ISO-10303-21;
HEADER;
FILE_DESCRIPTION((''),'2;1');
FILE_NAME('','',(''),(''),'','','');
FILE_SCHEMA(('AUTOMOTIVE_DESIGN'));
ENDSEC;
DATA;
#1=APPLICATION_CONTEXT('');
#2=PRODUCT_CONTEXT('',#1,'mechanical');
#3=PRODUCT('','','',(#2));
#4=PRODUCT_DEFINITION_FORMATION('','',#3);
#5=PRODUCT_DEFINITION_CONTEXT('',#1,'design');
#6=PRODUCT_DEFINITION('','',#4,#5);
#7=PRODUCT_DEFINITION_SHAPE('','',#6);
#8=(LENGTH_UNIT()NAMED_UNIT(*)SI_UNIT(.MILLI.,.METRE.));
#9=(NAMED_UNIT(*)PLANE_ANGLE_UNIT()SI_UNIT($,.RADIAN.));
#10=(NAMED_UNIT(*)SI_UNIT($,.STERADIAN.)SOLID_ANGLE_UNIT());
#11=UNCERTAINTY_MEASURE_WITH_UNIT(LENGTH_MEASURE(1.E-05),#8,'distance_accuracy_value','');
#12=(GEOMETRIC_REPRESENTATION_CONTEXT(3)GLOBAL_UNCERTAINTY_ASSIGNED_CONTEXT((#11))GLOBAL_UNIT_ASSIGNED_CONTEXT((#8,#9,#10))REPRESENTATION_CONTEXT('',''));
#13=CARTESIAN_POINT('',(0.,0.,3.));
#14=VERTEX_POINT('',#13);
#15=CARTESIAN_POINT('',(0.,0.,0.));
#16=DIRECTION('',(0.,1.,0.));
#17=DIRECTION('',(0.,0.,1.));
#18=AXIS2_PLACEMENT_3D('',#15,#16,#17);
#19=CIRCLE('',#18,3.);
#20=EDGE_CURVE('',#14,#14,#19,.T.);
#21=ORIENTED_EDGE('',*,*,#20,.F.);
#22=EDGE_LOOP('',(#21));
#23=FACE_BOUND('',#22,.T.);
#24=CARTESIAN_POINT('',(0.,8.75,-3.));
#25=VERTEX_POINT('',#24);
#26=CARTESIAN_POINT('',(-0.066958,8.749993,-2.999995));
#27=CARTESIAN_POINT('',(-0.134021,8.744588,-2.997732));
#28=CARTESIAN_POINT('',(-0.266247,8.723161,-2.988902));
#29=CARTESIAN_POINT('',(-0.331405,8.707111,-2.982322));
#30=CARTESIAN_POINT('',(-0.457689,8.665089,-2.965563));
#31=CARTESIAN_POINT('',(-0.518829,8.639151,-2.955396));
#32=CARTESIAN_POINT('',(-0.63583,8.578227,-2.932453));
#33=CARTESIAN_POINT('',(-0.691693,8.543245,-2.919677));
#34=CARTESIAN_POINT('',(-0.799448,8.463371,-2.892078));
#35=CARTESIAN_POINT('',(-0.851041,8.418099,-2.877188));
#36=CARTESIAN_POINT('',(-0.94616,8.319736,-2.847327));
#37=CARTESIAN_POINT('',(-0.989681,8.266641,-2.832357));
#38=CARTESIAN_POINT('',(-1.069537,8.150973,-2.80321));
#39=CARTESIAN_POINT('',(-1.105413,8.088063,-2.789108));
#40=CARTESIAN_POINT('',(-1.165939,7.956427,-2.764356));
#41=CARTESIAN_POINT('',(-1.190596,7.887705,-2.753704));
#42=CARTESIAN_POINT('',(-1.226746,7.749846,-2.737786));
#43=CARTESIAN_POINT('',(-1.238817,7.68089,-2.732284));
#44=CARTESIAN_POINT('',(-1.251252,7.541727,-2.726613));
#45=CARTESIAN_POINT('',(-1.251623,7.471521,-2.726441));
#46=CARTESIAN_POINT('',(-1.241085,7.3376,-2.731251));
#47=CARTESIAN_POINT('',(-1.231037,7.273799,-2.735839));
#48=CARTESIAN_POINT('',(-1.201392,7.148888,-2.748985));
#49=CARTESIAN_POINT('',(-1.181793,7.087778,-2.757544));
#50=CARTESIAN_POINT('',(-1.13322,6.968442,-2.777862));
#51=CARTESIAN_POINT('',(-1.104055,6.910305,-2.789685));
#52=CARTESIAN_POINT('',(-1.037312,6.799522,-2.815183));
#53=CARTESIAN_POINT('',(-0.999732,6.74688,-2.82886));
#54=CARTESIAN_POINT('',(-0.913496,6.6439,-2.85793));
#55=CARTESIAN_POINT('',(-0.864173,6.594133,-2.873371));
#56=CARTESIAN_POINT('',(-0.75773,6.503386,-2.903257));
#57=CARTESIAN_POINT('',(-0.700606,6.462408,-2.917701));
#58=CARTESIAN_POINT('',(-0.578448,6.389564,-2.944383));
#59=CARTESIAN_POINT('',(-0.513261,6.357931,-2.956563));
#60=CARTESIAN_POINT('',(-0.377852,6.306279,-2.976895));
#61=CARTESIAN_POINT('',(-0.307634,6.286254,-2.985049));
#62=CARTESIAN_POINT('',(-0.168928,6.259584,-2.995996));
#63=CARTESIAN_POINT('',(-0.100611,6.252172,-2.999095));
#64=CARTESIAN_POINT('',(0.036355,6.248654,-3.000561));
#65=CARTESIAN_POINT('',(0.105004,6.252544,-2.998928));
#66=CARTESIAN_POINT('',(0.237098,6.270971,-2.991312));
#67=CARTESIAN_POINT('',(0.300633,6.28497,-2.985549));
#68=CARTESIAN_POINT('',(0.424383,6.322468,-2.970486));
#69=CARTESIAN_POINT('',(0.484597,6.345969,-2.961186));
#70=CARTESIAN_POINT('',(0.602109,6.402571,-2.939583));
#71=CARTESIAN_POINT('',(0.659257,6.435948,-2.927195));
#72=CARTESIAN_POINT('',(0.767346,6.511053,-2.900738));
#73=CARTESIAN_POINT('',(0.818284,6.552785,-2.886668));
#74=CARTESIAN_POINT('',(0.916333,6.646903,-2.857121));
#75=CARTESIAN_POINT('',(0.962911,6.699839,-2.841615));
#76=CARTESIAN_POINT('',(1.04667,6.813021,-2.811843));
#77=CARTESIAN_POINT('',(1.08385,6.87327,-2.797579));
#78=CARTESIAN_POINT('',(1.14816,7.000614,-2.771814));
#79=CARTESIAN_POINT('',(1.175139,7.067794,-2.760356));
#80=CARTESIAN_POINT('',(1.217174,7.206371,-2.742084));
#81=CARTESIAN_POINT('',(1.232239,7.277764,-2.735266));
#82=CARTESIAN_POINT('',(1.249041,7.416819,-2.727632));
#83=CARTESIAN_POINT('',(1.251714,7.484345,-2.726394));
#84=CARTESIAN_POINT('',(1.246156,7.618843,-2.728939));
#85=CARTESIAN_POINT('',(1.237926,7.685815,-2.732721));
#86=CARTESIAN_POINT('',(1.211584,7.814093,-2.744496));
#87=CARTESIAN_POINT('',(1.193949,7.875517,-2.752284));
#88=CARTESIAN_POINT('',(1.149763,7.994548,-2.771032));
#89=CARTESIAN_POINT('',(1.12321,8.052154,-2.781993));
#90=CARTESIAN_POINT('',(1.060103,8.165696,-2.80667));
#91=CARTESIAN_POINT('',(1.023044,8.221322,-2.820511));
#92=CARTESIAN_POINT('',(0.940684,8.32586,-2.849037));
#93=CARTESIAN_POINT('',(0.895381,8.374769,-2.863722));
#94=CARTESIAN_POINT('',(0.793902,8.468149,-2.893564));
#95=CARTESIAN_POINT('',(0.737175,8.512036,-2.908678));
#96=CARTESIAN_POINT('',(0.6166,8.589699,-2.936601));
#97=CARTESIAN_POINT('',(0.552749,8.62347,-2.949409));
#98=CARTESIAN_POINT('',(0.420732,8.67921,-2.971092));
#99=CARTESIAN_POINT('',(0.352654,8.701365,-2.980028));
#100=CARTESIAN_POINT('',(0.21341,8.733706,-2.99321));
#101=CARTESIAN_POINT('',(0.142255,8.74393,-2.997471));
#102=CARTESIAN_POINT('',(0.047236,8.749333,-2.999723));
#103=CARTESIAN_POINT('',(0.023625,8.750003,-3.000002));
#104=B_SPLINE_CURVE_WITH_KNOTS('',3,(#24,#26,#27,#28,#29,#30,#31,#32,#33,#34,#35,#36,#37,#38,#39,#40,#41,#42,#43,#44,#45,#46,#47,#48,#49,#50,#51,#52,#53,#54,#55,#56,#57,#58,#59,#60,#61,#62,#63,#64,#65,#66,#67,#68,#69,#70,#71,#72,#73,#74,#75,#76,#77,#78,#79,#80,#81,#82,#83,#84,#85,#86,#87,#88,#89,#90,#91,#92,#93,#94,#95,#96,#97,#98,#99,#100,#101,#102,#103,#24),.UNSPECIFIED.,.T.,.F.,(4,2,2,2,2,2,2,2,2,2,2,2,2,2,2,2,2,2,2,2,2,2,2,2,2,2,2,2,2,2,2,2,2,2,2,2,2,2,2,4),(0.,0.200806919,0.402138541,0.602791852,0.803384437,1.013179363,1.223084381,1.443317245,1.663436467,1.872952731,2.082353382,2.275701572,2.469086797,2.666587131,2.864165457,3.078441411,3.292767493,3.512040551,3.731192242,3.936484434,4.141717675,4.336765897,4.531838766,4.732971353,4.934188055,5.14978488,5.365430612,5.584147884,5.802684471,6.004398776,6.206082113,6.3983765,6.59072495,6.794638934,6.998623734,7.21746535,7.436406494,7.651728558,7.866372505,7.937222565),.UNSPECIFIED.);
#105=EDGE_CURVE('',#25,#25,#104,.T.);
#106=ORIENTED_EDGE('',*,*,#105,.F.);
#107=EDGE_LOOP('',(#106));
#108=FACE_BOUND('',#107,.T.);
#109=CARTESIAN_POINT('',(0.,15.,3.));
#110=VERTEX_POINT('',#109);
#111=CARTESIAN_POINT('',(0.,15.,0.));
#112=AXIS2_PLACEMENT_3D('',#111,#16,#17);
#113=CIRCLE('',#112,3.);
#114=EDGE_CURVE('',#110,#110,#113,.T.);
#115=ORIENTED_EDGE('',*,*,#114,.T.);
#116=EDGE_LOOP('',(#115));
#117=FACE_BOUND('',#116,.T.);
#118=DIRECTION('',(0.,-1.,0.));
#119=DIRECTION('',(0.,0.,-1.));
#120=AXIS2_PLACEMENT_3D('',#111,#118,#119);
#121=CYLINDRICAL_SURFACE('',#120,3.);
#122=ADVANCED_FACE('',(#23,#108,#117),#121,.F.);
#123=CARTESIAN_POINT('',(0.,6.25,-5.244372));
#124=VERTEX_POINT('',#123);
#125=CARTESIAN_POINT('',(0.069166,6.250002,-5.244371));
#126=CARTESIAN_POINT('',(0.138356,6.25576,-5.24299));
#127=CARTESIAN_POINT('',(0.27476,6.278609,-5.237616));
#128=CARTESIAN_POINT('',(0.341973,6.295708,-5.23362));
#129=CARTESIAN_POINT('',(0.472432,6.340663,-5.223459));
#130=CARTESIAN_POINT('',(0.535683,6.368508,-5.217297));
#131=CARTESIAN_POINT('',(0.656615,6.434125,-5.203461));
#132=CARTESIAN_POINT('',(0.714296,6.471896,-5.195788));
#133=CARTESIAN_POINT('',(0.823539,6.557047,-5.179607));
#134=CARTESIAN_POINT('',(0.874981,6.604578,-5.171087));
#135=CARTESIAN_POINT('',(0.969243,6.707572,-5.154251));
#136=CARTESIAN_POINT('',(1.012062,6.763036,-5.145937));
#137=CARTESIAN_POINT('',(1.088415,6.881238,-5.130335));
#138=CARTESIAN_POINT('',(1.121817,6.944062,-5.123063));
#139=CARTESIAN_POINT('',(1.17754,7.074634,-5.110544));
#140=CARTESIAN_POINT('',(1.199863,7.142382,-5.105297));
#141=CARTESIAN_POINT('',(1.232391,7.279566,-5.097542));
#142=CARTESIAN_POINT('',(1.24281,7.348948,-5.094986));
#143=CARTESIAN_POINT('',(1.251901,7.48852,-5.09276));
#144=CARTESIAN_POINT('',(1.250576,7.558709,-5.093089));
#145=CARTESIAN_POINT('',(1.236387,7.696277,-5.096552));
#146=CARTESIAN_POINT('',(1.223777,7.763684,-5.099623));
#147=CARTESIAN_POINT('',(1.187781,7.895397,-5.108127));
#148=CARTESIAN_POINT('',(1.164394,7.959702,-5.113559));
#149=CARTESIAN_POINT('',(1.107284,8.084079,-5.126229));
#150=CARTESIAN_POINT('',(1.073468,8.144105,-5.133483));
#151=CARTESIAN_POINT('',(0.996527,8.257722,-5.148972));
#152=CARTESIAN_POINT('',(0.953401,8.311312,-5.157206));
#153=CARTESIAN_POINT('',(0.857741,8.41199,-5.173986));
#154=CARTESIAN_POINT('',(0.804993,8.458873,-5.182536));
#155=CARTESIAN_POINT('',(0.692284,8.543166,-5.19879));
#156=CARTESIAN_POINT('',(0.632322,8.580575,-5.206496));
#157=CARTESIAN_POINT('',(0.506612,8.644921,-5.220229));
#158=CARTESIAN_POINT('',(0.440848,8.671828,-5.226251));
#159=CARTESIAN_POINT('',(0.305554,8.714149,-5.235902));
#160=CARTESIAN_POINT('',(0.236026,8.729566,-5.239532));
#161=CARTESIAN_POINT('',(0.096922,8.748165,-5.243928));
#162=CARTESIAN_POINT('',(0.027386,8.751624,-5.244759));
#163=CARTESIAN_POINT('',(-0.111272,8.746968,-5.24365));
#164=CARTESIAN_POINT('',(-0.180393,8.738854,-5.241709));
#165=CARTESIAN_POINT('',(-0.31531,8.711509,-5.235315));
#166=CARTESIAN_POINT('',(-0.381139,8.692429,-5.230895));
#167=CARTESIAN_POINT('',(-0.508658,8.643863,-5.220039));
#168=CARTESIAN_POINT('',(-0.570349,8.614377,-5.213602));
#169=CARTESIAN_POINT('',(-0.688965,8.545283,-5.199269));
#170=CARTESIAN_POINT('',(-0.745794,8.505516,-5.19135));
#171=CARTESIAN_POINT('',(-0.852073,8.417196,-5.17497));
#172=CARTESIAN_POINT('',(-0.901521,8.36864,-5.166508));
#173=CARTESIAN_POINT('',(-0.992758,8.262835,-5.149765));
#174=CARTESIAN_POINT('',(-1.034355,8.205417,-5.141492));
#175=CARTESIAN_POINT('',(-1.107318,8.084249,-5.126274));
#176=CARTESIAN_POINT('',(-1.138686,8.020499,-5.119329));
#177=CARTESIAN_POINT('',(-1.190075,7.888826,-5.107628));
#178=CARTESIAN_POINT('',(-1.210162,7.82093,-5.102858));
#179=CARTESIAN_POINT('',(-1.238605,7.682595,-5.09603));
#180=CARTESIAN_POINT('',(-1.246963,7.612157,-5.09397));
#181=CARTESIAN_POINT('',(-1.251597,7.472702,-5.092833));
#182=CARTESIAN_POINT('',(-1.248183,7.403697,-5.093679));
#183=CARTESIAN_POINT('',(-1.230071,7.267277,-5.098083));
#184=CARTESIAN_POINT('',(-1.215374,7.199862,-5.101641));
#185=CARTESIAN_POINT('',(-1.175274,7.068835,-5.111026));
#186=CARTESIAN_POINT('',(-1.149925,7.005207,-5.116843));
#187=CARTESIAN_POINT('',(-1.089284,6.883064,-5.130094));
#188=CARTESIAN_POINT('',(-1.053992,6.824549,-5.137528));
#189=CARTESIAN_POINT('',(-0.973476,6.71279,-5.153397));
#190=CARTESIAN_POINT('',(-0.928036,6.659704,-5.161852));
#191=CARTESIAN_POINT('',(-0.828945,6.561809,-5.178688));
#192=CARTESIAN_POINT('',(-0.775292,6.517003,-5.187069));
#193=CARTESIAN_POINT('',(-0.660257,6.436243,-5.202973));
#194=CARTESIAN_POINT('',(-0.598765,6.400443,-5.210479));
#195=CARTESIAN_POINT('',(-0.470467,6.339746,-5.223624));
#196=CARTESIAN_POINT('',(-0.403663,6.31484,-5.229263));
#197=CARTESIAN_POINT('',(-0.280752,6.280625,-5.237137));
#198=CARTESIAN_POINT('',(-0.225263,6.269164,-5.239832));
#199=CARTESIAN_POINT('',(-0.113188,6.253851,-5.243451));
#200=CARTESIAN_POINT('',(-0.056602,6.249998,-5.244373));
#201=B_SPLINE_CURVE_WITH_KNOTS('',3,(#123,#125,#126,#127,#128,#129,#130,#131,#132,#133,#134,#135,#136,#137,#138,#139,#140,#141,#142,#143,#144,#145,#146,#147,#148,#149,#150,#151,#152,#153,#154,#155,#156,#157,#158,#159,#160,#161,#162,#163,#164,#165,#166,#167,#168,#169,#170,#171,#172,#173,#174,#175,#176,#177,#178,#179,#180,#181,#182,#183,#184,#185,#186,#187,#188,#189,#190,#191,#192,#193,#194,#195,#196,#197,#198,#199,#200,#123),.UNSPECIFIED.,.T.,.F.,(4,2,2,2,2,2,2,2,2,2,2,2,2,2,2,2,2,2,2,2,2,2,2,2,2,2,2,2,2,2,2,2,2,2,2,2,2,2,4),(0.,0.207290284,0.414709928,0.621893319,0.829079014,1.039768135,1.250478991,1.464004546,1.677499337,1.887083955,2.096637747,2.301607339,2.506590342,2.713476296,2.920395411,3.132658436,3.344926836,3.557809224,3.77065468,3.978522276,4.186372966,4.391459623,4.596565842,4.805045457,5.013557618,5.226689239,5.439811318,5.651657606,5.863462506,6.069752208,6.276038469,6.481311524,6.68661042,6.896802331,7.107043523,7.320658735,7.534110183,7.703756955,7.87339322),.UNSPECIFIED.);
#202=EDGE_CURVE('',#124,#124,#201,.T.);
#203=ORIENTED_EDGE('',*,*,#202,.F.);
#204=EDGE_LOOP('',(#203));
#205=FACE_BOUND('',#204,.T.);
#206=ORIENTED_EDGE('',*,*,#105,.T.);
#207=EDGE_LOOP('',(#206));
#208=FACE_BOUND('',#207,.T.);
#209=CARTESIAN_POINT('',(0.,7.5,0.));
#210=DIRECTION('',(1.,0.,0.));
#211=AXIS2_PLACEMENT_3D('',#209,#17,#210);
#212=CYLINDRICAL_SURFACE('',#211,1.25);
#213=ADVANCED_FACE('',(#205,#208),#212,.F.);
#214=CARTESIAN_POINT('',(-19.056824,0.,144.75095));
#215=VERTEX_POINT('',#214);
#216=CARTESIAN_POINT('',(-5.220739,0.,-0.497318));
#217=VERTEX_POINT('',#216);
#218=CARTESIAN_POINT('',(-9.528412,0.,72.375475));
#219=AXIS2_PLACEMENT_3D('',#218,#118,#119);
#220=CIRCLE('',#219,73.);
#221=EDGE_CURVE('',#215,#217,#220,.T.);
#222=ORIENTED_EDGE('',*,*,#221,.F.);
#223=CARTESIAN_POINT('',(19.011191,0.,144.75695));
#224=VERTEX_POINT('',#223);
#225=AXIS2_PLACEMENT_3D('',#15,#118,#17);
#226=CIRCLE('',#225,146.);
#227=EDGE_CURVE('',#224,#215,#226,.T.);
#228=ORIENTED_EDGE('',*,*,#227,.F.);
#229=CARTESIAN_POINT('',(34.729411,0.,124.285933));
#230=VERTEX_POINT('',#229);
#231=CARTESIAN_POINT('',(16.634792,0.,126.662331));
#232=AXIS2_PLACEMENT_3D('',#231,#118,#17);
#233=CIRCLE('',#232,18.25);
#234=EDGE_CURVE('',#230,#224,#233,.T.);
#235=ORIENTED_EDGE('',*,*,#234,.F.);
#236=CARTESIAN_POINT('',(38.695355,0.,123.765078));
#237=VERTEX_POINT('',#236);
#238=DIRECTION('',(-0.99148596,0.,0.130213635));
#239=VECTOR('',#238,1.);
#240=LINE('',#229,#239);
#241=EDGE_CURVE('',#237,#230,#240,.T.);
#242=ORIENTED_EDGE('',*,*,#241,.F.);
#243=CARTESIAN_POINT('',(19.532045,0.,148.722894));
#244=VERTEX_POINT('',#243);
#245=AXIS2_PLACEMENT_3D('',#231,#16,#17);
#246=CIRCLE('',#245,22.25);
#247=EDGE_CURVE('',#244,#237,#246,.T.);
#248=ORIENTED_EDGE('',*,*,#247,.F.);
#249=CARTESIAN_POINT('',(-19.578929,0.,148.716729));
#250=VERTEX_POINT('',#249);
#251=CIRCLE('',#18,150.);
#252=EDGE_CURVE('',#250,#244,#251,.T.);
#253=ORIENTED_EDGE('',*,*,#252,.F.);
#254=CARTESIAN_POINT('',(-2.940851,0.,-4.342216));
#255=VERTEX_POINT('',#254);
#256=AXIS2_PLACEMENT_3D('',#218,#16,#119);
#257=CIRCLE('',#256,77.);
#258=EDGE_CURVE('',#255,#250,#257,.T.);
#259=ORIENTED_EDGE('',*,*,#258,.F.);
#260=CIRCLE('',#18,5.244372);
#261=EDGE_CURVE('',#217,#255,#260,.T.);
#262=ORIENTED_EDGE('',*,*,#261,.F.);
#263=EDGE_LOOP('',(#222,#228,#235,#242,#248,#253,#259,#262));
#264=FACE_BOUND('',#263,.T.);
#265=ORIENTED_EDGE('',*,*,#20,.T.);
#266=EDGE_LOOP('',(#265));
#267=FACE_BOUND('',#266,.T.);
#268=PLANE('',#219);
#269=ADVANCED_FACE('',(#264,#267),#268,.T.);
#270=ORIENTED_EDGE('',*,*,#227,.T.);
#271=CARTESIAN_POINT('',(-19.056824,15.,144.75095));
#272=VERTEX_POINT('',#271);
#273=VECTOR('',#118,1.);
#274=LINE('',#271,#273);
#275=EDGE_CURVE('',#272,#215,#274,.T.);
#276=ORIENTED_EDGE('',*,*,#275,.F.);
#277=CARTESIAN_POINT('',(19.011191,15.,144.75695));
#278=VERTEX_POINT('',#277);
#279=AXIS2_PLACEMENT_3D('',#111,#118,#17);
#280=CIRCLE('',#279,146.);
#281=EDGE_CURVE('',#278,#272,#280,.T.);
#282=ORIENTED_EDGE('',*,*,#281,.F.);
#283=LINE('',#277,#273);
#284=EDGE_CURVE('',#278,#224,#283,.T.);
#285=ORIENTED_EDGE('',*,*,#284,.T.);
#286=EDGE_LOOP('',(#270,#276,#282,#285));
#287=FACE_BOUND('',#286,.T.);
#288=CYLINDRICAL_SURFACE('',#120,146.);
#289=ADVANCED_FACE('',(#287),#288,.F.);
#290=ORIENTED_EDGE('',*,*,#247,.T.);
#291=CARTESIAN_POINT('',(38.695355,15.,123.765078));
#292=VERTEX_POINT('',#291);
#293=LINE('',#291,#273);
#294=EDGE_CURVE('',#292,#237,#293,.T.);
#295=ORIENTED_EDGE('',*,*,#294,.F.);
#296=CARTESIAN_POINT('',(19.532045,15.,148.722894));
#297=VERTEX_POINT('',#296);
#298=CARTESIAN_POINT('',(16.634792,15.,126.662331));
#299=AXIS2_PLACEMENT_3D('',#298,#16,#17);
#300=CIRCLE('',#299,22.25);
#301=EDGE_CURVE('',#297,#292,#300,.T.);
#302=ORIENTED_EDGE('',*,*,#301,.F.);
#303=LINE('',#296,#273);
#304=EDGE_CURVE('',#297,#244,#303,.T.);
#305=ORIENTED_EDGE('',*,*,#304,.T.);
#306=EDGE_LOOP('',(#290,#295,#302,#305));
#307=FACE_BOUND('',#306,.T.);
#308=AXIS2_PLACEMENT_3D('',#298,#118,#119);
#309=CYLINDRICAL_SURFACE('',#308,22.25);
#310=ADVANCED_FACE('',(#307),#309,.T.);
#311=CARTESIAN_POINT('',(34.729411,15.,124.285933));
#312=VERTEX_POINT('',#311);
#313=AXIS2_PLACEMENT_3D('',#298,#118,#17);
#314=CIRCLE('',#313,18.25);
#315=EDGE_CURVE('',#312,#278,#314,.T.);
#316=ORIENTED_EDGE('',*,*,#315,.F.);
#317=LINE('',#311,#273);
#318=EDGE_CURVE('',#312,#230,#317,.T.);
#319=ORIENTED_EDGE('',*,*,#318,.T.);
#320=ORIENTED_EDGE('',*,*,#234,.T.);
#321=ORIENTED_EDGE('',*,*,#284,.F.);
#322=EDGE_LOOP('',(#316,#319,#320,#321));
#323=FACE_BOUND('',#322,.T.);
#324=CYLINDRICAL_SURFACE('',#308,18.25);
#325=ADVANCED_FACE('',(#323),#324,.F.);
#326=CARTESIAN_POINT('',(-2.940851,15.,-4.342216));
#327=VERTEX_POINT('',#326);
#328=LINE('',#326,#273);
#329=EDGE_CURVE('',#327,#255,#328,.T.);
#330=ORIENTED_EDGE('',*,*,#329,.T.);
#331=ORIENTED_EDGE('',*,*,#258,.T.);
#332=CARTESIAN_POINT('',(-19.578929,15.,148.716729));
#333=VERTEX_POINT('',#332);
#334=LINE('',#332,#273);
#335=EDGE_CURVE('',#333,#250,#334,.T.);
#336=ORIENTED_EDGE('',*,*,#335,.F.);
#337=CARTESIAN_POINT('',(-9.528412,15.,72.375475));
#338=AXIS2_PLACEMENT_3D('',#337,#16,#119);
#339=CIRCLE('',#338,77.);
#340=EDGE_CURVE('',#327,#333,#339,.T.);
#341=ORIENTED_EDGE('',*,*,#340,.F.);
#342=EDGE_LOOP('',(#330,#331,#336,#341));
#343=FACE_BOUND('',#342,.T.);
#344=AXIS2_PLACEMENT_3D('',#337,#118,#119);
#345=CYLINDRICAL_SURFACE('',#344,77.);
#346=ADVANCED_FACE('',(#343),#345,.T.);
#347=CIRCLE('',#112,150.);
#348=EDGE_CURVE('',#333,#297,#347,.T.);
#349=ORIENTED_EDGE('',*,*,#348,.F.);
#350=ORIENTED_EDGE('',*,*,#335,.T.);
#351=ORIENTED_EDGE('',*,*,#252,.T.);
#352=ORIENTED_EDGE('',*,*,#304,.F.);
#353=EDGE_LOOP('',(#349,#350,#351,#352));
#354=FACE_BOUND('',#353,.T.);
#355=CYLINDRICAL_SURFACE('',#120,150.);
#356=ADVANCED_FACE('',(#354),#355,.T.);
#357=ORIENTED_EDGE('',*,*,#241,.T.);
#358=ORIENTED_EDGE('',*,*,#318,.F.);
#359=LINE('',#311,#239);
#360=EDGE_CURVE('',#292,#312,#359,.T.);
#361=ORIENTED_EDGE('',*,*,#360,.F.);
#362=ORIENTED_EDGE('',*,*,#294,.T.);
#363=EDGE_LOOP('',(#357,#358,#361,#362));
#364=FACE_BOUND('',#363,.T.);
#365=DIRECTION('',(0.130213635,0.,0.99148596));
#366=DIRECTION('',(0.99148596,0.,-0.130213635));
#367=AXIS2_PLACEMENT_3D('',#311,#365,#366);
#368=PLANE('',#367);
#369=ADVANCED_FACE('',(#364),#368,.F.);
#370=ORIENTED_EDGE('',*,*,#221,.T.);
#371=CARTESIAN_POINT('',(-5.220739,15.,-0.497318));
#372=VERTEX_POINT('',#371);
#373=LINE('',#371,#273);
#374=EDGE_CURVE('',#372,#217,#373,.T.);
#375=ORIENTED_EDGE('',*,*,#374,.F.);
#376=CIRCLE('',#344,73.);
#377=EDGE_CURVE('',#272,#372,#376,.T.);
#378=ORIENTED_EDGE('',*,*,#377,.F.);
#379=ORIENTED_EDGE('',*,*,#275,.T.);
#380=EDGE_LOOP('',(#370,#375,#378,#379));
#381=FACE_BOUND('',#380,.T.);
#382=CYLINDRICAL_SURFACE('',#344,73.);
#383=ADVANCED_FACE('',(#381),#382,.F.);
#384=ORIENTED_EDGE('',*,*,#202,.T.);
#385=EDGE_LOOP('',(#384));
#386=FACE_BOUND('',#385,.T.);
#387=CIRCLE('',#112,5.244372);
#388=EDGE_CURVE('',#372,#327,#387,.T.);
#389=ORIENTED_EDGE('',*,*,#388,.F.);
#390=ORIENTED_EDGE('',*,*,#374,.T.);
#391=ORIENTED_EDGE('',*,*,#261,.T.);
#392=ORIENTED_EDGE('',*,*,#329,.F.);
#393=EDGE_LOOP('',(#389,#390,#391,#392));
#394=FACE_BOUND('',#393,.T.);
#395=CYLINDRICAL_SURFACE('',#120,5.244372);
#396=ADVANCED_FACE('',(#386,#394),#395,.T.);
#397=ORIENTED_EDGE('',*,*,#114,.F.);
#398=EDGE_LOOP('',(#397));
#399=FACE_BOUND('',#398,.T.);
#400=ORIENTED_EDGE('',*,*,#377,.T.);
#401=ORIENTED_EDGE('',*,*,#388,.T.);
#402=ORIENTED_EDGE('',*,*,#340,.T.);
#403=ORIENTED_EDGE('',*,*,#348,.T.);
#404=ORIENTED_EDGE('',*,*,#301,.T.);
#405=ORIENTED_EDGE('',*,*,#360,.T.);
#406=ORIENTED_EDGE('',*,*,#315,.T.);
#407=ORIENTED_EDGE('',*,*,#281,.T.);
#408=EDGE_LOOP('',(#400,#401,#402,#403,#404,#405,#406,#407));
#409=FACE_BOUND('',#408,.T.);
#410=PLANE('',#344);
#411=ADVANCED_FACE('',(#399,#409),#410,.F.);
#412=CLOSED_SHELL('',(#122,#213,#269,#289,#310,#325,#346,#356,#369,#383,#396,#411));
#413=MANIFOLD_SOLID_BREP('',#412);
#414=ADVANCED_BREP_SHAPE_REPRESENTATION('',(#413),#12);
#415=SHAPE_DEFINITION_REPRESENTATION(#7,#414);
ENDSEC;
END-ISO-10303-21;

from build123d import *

# Parameters (mm, degrees)
ESQUISSE1_R        = 3
BOSS_EXTRU_3_DEPTH = 15
ESQUISSE7_W        = 1.25
ESQUISSE7_H        = 5.244372399


with BuildPart() as part:
    # Esquisse1 → Boss.-Extru.3 (new body)
    with BuildSketch(Plane(origin=(0, 0, 0), x_dir=(1, 0, 0), z_dir=(0, 1, 0))):
        with BuildLine():
            Line((34.729410673, -124.285932568), (38.695354514, -123.765078027))
            ThreePointArc((38.695354514, -123.765078027), (34.282632836, -140.212837317), (19.532045284, -148.722894024))
            ThreePointArc((19.532045284, -148.722894024), (-0.023643562, -149.999998137), (-19.578928833, -148.716729206))
            ThreePointArc((-19.578928833, -148.716729206), (-86.077469284, -64.054307062), (-2.940851082, 4.342215653))
            ThreePointArc((-2.940851082, 4.342215653), (4.510953097, -2.674835324), (-5.220739084, 0.49731808))
            ThreePointArc((-5.220739084, 0.49731808), (-82.19944379, -65.452964988), (-19.056824064, -144.750949761))
            ThreePointArc((-19.056824064, -144.750949761), (-0.023013067, -145.999998186), (19.011190743, -144.756950184))
            ThreePointArc((19.011190743, -144.756950184), (31.109987274, -137.776791312), (34.729410673, -124.285932568))
        make_face()
        with Locations(Location((0, 0, 0), (0, 0, 270))):
            Circle(ESQUISSE1_R, mode=Mode.SUBTRACT)
    extrude(amount=BOSS_EXTRU_3_DEPTH)

    # Esquisse7 → Trou taraudé M3x0.51 (revolve, cut)
    with BuildSketch(Plane(origin=(0, 7.5, 0), x_dir=(0, -1, 0), z_dir=(1, 0, 0))):
        with Locations((0.625, 2.6221862)):
            Rectangle(ESQUISSE7_W, ESQUISSE7_H)
    revolve(axis=Axis((0, 7.5, 6.35), (0, 0, -1)), mode=Mode.SUBTRACT)


solid = part.part
